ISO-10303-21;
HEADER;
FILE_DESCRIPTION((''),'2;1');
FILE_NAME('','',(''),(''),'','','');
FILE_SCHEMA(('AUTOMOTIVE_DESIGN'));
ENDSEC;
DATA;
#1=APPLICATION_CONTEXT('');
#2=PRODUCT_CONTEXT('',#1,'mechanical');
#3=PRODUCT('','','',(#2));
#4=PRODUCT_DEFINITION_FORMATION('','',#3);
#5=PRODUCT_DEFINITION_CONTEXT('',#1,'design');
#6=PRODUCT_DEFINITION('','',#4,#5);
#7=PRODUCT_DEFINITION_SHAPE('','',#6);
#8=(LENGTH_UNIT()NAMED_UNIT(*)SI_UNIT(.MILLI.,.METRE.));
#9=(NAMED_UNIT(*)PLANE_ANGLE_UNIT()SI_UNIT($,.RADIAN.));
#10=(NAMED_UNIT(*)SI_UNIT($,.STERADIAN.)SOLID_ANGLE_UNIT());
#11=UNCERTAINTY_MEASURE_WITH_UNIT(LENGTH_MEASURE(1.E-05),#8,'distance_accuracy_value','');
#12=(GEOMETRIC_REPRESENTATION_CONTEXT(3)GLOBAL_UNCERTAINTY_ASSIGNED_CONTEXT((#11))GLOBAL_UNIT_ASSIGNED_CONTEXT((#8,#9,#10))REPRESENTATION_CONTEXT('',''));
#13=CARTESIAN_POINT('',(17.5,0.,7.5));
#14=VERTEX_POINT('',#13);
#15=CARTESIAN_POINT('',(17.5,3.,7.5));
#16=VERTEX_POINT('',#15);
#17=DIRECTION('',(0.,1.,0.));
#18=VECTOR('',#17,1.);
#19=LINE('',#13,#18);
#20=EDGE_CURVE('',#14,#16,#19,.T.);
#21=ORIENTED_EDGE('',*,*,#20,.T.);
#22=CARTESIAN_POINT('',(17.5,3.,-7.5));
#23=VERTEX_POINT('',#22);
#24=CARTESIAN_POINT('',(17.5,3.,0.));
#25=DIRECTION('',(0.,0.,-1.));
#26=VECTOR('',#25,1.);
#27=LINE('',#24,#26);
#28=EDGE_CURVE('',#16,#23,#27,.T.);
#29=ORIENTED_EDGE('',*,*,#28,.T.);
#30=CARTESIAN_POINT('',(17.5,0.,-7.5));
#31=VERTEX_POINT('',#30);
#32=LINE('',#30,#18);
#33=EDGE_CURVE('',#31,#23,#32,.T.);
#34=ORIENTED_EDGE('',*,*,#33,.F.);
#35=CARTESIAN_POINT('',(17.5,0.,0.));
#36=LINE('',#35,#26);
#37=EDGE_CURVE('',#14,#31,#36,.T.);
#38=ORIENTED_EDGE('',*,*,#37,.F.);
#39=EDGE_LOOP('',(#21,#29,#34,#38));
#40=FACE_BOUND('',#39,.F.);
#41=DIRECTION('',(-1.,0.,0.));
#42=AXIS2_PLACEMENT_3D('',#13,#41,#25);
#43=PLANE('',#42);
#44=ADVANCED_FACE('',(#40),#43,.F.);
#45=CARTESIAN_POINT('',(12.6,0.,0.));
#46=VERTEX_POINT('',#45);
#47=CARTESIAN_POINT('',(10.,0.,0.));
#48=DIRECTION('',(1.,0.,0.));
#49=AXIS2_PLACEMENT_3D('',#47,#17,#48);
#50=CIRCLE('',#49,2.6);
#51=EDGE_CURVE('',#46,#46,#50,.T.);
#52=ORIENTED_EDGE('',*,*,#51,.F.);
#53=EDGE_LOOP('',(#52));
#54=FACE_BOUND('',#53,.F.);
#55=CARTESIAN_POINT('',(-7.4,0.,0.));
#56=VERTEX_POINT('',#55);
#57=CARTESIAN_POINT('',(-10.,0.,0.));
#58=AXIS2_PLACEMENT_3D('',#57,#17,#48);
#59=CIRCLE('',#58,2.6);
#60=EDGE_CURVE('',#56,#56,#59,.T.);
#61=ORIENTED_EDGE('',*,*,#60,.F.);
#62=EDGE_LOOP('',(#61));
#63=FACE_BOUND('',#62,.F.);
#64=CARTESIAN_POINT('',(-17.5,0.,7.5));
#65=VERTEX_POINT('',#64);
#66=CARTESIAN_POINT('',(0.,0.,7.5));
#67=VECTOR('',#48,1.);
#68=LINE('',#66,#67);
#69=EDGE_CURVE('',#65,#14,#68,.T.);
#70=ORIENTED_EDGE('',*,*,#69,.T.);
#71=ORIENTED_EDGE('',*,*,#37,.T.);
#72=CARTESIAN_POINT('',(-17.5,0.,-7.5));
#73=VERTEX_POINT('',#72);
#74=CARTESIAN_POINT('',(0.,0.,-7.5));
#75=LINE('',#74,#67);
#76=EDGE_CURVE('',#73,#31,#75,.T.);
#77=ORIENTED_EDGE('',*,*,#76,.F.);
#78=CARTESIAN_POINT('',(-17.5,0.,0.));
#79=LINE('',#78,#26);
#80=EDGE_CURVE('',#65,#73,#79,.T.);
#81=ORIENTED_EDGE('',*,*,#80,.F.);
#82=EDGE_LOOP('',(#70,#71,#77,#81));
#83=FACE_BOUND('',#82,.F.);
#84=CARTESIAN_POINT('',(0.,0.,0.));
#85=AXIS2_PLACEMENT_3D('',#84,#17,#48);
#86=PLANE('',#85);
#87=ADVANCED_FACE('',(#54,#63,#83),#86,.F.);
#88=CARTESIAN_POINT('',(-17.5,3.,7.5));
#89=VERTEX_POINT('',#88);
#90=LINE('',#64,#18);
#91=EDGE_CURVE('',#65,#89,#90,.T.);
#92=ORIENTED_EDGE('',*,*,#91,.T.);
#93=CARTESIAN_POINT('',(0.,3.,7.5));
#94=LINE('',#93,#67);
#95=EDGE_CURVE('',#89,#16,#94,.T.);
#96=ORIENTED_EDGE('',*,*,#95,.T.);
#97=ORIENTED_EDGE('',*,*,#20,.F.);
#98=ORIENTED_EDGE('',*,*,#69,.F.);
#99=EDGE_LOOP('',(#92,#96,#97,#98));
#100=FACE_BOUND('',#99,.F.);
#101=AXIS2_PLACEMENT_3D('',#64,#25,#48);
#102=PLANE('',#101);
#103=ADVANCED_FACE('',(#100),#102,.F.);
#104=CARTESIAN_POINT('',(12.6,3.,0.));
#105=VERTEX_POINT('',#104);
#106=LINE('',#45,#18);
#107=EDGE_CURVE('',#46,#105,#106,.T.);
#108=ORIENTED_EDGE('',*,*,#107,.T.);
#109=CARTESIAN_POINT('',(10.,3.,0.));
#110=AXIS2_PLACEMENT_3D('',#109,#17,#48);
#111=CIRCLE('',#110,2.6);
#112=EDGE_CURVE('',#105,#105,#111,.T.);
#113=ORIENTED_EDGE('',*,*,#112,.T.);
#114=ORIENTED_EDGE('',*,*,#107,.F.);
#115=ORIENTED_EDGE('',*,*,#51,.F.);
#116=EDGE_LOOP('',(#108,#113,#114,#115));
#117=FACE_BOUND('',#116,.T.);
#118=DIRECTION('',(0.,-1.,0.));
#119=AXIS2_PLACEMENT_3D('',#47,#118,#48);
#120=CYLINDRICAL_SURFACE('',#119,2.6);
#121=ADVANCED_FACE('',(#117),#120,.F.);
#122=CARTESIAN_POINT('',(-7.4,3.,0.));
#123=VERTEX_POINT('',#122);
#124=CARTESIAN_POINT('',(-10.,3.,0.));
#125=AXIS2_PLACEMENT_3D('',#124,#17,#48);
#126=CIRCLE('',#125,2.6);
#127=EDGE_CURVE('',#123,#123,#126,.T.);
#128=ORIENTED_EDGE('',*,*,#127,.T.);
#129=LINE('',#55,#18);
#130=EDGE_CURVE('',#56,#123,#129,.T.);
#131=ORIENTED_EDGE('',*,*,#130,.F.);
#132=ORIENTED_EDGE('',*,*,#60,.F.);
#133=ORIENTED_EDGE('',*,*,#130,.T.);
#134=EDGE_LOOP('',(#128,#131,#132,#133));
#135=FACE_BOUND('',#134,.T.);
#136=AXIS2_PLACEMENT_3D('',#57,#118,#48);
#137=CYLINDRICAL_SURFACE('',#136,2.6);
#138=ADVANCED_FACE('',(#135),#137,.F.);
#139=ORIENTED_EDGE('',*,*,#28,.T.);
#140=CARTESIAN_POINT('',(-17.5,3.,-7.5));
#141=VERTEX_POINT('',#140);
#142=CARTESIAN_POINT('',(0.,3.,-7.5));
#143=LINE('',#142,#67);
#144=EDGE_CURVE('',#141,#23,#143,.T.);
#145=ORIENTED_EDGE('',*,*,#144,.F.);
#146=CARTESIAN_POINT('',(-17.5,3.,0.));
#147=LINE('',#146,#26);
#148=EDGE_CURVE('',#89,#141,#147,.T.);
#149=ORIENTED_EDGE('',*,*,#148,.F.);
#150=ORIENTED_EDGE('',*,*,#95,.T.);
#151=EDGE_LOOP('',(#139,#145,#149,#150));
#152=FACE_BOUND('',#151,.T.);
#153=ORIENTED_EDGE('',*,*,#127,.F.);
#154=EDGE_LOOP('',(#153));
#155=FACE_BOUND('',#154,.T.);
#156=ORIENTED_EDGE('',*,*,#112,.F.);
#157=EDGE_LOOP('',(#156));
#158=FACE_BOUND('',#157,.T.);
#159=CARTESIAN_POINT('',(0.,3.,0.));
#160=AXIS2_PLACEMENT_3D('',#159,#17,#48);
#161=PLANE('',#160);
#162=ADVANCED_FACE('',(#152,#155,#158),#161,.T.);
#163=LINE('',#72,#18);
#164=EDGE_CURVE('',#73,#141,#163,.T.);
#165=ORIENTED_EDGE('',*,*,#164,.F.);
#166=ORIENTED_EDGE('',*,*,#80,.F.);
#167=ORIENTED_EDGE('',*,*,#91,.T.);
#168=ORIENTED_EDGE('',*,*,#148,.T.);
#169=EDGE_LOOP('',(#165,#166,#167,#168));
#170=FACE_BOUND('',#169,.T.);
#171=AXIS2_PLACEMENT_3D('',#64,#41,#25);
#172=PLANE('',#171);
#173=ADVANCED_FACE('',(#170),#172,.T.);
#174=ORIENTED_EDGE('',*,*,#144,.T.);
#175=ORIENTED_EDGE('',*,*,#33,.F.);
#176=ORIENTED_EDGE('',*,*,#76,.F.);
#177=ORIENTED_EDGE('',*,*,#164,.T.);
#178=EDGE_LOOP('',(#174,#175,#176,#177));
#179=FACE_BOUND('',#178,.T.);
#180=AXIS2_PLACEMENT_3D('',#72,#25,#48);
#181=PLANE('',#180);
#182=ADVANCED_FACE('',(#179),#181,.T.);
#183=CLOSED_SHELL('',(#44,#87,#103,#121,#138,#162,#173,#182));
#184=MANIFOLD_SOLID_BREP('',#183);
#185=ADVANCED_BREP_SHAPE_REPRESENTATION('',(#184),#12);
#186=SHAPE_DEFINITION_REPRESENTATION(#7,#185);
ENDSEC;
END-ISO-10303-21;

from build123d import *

# Parameters (mm, degrees)
SKETCH_1_W      = 35
SKETCH_1_H      = 15
SKETCH_1_R      = 2.6
EXTRUDE_1_DEPTH = 3


with BuildPart() as part:
    # Эскиз1 → Бобышка-Вытянуть1 (new body)
    with BuildSketch(Plane(origin=(0, 0, 0), x_dir=(1, 0, 0), z_dir=(0, 1, 0))):
        Rectangle(SKETCH_1_W, SKETCH_1_H)
        with Locations((10, 0)):
            Circle(SKETCH_1_R, mode=Mode.SUBTRACT)
        with Locations((-10, 0)):
            Circle(SKETCH_1_R, mode=Mode.SUBTRACT)
    extrude(amount=EXTRUDE_1_DEPTH)


solid = part.part
